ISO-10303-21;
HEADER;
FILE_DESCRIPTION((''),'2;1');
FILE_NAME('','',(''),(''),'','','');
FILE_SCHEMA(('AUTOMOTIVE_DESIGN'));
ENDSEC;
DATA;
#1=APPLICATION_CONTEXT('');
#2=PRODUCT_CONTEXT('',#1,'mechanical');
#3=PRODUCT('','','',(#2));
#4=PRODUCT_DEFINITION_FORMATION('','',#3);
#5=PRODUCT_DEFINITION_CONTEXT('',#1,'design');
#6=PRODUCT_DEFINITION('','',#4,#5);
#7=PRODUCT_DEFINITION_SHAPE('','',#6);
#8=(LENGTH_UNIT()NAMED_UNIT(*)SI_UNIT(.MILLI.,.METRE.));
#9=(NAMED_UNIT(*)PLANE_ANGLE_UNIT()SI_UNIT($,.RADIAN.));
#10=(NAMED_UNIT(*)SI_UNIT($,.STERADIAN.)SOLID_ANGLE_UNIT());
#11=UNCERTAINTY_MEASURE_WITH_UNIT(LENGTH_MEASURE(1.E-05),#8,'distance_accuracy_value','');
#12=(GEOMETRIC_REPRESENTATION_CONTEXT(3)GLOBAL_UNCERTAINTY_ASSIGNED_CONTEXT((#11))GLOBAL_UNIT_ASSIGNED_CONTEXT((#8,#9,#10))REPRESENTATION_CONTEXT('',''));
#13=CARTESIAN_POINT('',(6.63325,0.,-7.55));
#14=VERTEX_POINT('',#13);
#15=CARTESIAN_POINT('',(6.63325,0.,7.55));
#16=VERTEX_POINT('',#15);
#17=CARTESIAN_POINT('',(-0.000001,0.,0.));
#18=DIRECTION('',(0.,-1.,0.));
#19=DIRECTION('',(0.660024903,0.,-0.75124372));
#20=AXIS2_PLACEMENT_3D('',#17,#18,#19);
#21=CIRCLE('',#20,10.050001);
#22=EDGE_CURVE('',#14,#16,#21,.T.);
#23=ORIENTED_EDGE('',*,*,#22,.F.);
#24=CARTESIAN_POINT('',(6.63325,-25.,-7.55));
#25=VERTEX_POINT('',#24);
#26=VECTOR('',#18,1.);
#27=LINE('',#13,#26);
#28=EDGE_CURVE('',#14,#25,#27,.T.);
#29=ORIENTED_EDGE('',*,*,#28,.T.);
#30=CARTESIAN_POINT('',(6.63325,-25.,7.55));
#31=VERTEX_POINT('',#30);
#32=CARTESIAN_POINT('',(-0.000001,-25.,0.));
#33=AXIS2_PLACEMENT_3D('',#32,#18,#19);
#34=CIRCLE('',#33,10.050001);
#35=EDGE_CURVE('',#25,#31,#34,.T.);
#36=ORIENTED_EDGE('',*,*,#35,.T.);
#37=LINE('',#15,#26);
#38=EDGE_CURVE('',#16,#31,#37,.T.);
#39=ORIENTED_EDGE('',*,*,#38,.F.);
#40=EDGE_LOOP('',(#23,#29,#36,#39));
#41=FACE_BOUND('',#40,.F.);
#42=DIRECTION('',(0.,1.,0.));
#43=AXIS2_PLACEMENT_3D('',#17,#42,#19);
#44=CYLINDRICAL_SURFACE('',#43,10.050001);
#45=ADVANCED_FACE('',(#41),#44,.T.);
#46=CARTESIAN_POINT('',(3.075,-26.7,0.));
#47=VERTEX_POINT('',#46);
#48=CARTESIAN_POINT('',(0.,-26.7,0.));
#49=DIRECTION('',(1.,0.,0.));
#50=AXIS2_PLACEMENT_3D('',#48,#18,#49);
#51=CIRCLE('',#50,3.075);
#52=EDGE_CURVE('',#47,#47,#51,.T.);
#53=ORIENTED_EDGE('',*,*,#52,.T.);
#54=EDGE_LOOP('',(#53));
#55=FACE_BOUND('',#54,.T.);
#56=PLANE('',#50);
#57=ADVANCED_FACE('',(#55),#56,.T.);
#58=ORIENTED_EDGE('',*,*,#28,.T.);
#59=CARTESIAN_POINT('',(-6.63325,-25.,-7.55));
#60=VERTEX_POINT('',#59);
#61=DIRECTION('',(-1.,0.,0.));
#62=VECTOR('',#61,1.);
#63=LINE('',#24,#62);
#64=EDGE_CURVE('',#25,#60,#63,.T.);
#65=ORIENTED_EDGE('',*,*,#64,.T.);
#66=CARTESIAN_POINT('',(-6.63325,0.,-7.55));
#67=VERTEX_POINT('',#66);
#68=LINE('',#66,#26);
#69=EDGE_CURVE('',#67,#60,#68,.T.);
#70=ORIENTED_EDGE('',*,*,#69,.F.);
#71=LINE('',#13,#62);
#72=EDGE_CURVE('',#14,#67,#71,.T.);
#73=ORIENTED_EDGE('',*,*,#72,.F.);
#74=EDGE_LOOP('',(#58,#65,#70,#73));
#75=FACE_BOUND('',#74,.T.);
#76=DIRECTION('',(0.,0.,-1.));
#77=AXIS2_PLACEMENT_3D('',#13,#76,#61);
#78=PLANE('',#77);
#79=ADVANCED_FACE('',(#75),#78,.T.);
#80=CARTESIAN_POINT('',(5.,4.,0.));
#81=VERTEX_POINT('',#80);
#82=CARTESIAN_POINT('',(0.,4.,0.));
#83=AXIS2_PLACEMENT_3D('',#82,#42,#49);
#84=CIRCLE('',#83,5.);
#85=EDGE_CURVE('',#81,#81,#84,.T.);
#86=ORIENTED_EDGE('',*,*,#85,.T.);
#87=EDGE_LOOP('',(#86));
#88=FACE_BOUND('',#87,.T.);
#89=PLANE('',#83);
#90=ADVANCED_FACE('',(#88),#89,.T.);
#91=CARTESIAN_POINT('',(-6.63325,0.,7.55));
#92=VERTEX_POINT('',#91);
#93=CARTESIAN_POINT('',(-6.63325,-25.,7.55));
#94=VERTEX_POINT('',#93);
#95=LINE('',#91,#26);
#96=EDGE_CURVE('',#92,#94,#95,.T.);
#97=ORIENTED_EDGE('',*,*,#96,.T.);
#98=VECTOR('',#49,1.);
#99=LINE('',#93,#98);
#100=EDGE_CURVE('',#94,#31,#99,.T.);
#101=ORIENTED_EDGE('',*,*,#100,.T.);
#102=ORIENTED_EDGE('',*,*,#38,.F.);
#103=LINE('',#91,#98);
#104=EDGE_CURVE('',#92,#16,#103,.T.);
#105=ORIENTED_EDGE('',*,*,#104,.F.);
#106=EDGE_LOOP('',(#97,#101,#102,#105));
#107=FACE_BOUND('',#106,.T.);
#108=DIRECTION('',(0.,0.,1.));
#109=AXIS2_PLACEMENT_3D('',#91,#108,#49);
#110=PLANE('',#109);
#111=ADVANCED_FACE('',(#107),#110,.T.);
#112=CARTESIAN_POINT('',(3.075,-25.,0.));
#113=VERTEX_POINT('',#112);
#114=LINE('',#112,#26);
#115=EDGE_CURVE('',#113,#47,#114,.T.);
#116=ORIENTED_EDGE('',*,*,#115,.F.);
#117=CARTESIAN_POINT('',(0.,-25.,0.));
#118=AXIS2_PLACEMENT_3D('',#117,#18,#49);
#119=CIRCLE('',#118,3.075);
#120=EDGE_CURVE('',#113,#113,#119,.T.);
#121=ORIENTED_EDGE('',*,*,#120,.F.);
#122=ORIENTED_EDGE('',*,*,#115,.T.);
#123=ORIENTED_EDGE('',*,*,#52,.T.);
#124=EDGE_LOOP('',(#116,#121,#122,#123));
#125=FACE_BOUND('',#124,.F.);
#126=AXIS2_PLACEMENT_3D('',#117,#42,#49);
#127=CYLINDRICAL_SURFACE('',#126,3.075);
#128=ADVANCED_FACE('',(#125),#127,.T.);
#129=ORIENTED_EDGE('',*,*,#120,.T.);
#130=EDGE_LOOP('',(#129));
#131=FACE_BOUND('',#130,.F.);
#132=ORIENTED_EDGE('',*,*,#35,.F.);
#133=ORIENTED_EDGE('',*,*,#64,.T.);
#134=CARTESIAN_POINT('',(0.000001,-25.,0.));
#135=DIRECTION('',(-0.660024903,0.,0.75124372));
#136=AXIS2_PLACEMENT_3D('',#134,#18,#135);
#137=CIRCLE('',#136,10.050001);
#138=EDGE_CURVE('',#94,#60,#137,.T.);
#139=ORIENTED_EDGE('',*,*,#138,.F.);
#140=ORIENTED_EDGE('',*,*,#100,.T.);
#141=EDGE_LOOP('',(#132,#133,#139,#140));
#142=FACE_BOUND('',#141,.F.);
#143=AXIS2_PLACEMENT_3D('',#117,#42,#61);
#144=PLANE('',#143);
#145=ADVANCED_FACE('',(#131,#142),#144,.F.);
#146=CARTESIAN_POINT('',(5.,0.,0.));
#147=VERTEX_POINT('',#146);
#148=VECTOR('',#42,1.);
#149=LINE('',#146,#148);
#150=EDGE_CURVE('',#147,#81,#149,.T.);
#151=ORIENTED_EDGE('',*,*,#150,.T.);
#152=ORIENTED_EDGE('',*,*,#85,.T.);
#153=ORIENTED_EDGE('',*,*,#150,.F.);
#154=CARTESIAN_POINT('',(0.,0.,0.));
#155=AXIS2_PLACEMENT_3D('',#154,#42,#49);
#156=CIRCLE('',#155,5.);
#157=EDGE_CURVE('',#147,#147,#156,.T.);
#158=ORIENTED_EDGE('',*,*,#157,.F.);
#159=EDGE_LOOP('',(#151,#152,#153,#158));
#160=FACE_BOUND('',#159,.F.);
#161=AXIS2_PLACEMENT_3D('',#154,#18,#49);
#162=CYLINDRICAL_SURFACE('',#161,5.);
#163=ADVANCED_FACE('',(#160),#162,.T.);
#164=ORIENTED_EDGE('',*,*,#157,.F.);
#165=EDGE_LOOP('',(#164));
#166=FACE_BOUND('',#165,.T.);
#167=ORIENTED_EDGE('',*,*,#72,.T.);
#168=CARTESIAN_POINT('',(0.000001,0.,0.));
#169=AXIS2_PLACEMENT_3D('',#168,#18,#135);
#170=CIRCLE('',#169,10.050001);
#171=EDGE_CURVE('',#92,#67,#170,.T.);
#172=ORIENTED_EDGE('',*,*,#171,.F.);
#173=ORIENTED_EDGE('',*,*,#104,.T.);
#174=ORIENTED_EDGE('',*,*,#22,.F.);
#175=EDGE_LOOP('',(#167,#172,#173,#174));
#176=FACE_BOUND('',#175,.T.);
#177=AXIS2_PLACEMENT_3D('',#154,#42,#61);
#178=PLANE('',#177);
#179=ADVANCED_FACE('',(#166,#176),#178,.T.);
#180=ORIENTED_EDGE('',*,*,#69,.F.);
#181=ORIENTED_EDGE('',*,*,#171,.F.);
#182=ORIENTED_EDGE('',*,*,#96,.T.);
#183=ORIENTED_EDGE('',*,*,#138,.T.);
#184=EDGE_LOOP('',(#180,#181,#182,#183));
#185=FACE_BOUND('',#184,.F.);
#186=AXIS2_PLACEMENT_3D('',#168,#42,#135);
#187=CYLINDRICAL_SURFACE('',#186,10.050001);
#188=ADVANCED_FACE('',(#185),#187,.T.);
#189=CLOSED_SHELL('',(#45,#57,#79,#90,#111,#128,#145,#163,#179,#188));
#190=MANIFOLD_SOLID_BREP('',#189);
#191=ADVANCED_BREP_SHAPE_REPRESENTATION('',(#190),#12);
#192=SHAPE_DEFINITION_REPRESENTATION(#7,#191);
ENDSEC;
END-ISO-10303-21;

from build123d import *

# Parameters (mm, degrees)
PAD_DEPTH    = 25
SKETCH001_R  = 3.075
PAD001_DEPTH = 1.7
SKETCH011_R  = 5
PAD009_DEPTH = 4


with BuildPart() as part:
    # Sketch → Pad (new body)
    with BuildSketch(Plane.XZ):
        with BuildLine():
            Line((-6.63325, 7.55), (6.63325, 7.55))
            ThreePointArc((6.63325, -7.55), (10.05, 0), (6.63325, 7.55))
            Line((6.63325, -7.55), (-6.63325, -7.55))
            ThreePointArc((-6.63325, 7.55), (-10.05, 0), (-6.63325, -7.55))
        make_face()
    extrude(amount=PAD_DEPTH)

    # Sketch001 → Pad001 (new body)
    with BuildSketch(Plane.XZ.offset(25)):
        Circle(SKETCH001_R)
    extrude(amount=PAD001_DEPTH)

    # Sketch011 → Pad009 (new body)
    with BuildSketch(Plane(origin=(0, 0, 0), x_dir=(1, 0, 0), z_dir=(0, 1, 0))):
        Circle(SKETCH011_R)
    extrude(amount=PAD009_DEPTH)


solid = part.part
